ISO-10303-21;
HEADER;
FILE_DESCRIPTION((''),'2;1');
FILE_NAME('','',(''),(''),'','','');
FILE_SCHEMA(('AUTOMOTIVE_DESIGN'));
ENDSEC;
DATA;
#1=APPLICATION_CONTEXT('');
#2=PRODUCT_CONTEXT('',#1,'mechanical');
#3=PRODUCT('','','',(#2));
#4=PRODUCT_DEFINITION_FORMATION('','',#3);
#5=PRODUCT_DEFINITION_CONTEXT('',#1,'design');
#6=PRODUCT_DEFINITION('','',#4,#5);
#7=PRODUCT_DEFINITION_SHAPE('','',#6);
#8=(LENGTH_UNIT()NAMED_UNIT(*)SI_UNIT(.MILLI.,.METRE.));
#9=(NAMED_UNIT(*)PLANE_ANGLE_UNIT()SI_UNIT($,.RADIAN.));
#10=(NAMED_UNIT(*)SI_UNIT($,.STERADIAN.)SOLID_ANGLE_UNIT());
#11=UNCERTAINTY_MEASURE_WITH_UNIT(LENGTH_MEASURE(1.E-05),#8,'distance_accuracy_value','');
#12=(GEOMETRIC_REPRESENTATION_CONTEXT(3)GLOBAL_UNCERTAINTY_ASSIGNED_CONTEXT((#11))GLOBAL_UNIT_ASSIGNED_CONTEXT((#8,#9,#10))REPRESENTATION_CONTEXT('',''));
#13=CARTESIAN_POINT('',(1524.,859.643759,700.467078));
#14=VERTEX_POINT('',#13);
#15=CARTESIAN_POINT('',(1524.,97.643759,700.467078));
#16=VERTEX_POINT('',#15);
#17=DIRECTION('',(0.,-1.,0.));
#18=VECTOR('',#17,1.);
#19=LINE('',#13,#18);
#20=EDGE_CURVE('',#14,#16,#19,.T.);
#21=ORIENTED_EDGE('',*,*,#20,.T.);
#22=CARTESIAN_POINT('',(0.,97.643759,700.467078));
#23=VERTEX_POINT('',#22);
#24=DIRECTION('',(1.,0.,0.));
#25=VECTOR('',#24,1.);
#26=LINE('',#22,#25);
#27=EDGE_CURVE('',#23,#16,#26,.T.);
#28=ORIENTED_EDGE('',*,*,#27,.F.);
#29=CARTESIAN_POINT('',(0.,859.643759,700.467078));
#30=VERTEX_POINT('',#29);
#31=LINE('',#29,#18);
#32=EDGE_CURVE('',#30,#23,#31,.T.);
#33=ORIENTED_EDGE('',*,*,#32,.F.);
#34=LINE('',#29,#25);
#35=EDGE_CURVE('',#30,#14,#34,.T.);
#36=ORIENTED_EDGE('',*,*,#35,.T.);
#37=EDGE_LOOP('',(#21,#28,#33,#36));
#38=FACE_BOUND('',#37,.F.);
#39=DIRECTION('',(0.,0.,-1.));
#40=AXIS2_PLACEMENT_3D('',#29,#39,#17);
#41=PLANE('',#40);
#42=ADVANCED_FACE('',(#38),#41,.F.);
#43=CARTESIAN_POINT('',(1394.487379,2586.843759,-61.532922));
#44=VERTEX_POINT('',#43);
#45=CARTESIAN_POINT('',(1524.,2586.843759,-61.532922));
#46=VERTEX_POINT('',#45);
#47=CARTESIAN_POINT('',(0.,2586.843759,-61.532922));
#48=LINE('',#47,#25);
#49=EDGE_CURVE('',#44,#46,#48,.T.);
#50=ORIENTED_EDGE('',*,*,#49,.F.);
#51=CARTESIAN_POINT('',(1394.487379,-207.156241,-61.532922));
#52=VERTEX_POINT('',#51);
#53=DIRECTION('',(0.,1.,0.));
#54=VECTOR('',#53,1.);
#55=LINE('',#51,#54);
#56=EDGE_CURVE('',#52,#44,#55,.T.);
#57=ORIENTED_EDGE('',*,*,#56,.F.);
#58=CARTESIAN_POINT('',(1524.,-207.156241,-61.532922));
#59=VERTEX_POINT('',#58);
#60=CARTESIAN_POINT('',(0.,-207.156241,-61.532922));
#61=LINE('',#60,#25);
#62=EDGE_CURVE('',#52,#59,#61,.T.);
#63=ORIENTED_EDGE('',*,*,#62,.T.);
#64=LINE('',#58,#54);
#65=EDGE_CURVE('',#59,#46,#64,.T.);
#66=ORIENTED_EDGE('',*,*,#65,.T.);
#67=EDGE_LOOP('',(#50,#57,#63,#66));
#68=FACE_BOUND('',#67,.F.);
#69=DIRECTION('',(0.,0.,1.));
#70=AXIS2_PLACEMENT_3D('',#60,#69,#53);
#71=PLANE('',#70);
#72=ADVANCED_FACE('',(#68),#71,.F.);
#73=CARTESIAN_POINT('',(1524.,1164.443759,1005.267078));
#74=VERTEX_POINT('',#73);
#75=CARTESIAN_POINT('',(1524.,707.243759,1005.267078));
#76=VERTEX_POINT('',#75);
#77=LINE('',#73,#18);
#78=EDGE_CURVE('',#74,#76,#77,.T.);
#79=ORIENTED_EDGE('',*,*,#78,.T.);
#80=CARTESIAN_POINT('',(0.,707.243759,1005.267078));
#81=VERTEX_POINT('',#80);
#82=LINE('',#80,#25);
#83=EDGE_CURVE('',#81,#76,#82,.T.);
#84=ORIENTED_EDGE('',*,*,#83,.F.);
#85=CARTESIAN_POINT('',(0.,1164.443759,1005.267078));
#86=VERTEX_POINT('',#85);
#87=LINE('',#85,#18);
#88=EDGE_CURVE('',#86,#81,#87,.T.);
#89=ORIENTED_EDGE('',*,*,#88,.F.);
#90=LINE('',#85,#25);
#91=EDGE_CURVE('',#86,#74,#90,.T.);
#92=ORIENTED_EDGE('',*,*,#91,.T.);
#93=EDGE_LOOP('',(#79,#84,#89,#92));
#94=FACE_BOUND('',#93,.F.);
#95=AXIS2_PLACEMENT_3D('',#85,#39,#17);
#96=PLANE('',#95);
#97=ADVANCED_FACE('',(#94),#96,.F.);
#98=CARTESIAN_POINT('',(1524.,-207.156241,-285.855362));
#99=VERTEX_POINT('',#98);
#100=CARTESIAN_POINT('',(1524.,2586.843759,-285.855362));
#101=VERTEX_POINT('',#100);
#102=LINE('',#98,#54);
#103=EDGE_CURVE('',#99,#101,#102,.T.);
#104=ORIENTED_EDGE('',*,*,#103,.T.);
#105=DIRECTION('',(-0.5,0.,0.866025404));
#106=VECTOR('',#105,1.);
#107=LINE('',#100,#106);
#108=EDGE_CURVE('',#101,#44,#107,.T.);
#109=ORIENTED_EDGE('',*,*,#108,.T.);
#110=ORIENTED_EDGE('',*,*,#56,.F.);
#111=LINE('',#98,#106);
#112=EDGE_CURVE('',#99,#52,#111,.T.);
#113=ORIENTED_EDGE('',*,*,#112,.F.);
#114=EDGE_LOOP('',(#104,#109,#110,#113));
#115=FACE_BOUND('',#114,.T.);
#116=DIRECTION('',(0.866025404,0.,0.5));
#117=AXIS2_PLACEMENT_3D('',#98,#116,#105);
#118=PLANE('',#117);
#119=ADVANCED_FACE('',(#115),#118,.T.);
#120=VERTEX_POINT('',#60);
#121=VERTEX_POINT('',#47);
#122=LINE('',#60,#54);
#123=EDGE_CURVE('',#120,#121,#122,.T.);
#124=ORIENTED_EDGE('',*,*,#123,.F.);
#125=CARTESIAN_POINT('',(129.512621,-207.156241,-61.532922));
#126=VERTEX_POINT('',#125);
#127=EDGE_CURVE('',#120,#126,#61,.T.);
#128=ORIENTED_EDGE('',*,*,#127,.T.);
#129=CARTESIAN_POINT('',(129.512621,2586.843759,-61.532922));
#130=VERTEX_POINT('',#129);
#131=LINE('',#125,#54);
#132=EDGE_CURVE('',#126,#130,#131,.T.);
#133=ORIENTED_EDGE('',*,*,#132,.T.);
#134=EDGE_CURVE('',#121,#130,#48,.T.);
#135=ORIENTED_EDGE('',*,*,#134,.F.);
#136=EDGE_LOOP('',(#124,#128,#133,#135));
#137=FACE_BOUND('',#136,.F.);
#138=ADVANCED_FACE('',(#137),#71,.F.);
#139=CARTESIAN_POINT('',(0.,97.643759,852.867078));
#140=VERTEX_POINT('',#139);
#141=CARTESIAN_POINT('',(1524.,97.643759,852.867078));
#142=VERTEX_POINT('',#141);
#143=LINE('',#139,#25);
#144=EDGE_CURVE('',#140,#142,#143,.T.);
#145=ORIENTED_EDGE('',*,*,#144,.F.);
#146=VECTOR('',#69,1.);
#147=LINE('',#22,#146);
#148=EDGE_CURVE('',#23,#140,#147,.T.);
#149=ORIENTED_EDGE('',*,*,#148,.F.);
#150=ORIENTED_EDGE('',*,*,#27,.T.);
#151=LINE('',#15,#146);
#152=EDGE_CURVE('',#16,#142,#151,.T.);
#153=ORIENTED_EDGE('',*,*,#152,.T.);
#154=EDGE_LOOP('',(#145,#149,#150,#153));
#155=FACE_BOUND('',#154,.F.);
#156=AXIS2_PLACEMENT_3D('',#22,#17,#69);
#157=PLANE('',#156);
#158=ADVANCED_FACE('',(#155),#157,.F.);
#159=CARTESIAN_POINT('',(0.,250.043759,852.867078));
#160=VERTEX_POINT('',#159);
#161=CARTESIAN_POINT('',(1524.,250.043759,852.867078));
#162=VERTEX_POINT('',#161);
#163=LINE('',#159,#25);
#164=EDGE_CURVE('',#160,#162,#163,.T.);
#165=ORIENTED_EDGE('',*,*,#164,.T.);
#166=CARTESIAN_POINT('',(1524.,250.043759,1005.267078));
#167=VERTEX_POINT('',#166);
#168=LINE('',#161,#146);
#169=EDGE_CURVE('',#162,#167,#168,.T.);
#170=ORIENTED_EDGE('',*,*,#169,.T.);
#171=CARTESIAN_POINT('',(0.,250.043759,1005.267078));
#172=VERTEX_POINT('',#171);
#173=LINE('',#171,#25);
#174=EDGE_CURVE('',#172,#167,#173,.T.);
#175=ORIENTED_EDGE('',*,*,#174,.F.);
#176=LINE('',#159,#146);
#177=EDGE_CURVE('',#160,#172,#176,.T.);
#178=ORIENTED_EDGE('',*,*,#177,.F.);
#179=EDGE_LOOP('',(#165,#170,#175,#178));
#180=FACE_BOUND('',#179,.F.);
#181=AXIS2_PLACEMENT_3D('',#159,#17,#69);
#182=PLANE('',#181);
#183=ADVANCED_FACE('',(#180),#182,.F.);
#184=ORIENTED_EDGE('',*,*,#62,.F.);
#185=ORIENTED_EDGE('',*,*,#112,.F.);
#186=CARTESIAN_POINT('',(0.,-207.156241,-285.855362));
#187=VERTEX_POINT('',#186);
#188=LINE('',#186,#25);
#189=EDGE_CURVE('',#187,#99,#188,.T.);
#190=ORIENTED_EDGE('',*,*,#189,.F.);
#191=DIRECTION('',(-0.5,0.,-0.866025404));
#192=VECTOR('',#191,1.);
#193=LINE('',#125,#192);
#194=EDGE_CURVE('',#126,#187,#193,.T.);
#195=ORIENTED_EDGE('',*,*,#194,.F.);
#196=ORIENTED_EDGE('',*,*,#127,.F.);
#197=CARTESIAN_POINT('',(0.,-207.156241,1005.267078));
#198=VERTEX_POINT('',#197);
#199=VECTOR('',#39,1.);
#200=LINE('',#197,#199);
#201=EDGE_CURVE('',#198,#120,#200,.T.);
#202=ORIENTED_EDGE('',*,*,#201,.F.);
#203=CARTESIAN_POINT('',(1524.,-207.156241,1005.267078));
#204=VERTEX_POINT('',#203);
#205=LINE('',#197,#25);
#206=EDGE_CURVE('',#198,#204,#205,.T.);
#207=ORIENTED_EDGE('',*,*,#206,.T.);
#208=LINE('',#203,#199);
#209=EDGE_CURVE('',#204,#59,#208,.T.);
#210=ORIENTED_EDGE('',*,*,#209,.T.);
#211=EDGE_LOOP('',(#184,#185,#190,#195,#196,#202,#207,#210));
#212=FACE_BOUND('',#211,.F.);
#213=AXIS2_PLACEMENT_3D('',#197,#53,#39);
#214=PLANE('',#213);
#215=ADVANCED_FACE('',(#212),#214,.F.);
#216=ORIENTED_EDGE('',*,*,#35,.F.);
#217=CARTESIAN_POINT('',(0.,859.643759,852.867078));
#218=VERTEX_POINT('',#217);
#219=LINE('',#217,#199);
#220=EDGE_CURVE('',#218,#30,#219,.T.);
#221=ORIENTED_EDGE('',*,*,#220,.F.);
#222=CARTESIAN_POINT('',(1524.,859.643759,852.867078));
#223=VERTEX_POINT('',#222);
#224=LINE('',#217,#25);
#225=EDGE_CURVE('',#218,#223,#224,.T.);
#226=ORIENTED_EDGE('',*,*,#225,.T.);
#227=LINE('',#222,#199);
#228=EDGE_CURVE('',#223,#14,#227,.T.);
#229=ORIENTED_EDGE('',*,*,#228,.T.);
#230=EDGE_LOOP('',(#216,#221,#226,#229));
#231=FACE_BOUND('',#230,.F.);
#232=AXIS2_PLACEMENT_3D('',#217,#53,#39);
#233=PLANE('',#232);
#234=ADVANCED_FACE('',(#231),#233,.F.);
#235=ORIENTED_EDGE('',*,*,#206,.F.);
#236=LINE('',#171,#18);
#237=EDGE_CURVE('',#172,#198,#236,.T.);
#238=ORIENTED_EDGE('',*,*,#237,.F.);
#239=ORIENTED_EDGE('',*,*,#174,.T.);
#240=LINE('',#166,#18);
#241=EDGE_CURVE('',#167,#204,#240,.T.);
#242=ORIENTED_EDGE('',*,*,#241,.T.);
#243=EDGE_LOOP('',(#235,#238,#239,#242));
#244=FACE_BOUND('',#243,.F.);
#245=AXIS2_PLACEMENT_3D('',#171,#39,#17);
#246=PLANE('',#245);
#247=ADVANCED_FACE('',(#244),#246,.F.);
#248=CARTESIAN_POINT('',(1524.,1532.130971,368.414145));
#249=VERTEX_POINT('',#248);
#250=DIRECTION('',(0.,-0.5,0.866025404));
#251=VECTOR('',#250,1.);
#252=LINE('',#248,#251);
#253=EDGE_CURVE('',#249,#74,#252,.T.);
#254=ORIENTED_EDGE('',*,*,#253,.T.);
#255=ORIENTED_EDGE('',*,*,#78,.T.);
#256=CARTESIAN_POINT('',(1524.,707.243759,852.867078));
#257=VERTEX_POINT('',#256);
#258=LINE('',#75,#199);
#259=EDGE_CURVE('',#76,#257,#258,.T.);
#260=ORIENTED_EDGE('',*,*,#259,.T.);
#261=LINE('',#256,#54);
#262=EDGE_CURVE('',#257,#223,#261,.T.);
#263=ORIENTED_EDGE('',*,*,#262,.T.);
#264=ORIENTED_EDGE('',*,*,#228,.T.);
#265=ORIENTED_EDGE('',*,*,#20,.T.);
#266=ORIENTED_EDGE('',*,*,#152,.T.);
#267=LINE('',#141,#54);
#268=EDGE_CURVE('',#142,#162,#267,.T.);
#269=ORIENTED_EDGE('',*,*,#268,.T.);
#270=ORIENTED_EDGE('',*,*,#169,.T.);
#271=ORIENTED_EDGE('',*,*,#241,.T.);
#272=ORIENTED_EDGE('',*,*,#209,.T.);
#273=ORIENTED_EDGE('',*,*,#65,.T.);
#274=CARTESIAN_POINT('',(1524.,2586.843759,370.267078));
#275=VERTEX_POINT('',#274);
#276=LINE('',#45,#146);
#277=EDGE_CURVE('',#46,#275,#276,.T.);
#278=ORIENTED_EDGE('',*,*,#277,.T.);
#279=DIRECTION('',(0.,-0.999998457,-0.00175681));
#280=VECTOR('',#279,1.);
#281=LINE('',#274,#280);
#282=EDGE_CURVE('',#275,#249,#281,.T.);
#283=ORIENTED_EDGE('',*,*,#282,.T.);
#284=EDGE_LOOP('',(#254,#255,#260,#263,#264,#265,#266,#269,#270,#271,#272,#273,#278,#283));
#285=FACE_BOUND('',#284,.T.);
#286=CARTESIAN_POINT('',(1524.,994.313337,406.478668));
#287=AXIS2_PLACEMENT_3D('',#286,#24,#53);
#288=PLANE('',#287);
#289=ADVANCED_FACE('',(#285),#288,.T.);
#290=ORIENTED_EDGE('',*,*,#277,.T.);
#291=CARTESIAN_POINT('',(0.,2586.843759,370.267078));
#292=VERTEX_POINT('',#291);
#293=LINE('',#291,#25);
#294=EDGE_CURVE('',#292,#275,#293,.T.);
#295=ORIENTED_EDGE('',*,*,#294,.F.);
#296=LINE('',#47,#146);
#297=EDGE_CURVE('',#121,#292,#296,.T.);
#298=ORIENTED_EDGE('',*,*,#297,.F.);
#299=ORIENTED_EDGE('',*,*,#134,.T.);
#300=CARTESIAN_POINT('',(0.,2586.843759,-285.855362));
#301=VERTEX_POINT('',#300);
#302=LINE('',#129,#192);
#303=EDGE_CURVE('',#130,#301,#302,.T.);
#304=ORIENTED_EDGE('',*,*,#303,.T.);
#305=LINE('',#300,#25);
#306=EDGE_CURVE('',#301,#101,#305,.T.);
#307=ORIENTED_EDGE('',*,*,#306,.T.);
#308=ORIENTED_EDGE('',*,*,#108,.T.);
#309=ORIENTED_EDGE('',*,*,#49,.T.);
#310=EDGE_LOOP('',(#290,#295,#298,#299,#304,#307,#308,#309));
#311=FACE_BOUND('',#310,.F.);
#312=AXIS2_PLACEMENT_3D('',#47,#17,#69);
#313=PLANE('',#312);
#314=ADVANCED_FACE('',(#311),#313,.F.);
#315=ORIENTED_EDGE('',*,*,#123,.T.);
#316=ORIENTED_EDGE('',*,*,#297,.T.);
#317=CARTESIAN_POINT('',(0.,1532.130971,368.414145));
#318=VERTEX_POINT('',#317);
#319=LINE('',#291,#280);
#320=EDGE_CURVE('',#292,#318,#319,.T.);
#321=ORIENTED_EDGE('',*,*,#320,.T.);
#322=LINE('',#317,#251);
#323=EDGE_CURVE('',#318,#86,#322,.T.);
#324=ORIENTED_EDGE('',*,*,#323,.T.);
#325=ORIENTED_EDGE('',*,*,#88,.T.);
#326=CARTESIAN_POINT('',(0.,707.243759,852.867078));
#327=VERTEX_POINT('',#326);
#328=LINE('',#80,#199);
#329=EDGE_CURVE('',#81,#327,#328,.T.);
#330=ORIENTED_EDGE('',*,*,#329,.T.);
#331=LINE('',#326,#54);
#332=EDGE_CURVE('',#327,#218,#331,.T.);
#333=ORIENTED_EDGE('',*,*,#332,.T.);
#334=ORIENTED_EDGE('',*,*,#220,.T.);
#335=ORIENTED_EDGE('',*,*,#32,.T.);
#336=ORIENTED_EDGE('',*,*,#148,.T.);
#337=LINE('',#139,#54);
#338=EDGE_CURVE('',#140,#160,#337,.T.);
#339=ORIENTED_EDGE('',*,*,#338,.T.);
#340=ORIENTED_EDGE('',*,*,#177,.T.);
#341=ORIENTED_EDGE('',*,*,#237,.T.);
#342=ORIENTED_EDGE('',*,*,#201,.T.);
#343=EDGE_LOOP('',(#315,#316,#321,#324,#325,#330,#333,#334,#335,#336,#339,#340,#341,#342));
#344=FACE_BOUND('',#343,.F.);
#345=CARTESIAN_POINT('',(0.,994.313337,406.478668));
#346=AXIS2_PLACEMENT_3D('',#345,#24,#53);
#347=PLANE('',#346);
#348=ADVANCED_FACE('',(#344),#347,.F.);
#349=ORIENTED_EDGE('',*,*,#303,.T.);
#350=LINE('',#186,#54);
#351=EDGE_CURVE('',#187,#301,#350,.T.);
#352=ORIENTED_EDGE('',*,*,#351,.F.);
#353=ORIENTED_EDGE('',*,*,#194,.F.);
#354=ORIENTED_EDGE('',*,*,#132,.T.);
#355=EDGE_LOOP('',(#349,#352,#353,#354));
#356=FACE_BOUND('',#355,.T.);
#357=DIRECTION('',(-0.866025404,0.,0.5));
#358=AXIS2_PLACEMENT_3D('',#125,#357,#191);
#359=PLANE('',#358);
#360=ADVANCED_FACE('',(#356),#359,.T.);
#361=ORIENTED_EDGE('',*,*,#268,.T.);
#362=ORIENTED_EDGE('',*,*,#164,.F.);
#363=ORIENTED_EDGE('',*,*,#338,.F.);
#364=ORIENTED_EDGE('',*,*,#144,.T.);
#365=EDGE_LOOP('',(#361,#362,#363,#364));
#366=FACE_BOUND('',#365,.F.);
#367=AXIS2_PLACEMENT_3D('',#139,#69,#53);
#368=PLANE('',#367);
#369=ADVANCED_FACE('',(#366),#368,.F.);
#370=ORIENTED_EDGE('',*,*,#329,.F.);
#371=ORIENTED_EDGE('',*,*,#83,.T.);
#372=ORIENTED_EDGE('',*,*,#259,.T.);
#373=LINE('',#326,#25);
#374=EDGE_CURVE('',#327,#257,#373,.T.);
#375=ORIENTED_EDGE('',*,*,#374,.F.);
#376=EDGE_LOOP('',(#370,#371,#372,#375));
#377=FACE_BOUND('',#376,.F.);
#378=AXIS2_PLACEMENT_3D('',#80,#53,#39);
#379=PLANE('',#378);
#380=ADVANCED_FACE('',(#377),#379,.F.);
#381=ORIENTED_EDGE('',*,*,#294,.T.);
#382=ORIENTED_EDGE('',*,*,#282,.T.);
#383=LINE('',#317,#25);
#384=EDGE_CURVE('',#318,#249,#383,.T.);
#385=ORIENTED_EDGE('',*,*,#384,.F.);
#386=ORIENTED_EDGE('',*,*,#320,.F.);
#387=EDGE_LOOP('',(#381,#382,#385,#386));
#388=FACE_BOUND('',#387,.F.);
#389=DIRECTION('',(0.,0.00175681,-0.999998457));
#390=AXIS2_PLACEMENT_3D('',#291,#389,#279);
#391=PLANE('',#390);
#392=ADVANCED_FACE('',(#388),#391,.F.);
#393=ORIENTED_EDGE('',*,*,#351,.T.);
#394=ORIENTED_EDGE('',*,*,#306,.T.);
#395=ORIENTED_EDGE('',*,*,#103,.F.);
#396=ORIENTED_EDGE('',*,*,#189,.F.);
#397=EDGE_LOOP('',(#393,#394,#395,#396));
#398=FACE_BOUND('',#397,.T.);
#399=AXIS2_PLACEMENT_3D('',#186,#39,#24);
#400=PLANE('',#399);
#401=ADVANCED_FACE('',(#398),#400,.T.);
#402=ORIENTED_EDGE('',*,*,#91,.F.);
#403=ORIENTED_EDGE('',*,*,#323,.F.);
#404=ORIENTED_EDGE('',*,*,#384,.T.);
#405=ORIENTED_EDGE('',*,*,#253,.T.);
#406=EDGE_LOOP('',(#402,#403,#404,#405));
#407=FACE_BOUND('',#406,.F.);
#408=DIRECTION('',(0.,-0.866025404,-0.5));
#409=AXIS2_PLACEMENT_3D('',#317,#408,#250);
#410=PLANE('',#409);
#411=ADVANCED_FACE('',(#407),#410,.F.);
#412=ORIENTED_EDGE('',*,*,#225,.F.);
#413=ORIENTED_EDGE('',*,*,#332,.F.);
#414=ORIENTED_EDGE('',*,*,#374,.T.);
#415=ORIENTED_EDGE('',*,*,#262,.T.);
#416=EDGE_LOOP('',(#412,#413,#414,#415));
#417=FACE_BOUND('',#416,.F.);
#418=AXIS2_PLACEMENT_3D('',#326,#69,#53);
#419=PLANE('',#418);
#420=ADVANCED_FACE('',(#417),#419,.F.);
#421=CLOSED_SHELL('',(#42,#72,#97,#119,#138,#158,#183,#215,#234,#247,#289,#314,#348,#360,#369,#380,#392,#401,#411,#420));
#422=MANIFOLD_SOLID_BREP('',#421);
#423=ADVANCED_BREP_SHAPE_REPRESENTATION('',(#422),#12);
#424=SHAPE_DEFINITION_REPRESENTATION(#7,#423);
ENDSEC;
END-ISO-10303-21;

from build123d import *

# Parameters (mm, degrees)
F1_DEPTH = 1524
F3_DEPTH = 2794


with BuildPart() as f1:
    # F0 (on Right) → F1 (new body)
    with BuildSketch(Plane.YZ):
        Polygon((-207.156241, -61.532922), (2586.843759, -61.532922), (2586.843759, 370.267078), (1532.130971, 368.414145), (1164.443759, 1005.267078), (707.243759, 1005.267078), (707.243759, 852.867078), (859.643759, 852.867078), (859.643759, 700.467078), (97.643759, 700.467078), (97.643759, 852.867078), (250.043759, 852.867078), (250.043759, 1005.267078), (-207.156241, 1005.267078), align=None)
    extrude(amount=F1_DEPTH)

    # F2 (on face) → F3 (join)
    with BuildSketch(Plane.XZ.offset(207.156241)):
        Polygon((0, -285.855362), (1524, -285.855362), (1394.487379, -61.532922), (129.512621, -61.532922), align=None)
    extrude(amount=-F3_DEPTH)


solid = f1.part
